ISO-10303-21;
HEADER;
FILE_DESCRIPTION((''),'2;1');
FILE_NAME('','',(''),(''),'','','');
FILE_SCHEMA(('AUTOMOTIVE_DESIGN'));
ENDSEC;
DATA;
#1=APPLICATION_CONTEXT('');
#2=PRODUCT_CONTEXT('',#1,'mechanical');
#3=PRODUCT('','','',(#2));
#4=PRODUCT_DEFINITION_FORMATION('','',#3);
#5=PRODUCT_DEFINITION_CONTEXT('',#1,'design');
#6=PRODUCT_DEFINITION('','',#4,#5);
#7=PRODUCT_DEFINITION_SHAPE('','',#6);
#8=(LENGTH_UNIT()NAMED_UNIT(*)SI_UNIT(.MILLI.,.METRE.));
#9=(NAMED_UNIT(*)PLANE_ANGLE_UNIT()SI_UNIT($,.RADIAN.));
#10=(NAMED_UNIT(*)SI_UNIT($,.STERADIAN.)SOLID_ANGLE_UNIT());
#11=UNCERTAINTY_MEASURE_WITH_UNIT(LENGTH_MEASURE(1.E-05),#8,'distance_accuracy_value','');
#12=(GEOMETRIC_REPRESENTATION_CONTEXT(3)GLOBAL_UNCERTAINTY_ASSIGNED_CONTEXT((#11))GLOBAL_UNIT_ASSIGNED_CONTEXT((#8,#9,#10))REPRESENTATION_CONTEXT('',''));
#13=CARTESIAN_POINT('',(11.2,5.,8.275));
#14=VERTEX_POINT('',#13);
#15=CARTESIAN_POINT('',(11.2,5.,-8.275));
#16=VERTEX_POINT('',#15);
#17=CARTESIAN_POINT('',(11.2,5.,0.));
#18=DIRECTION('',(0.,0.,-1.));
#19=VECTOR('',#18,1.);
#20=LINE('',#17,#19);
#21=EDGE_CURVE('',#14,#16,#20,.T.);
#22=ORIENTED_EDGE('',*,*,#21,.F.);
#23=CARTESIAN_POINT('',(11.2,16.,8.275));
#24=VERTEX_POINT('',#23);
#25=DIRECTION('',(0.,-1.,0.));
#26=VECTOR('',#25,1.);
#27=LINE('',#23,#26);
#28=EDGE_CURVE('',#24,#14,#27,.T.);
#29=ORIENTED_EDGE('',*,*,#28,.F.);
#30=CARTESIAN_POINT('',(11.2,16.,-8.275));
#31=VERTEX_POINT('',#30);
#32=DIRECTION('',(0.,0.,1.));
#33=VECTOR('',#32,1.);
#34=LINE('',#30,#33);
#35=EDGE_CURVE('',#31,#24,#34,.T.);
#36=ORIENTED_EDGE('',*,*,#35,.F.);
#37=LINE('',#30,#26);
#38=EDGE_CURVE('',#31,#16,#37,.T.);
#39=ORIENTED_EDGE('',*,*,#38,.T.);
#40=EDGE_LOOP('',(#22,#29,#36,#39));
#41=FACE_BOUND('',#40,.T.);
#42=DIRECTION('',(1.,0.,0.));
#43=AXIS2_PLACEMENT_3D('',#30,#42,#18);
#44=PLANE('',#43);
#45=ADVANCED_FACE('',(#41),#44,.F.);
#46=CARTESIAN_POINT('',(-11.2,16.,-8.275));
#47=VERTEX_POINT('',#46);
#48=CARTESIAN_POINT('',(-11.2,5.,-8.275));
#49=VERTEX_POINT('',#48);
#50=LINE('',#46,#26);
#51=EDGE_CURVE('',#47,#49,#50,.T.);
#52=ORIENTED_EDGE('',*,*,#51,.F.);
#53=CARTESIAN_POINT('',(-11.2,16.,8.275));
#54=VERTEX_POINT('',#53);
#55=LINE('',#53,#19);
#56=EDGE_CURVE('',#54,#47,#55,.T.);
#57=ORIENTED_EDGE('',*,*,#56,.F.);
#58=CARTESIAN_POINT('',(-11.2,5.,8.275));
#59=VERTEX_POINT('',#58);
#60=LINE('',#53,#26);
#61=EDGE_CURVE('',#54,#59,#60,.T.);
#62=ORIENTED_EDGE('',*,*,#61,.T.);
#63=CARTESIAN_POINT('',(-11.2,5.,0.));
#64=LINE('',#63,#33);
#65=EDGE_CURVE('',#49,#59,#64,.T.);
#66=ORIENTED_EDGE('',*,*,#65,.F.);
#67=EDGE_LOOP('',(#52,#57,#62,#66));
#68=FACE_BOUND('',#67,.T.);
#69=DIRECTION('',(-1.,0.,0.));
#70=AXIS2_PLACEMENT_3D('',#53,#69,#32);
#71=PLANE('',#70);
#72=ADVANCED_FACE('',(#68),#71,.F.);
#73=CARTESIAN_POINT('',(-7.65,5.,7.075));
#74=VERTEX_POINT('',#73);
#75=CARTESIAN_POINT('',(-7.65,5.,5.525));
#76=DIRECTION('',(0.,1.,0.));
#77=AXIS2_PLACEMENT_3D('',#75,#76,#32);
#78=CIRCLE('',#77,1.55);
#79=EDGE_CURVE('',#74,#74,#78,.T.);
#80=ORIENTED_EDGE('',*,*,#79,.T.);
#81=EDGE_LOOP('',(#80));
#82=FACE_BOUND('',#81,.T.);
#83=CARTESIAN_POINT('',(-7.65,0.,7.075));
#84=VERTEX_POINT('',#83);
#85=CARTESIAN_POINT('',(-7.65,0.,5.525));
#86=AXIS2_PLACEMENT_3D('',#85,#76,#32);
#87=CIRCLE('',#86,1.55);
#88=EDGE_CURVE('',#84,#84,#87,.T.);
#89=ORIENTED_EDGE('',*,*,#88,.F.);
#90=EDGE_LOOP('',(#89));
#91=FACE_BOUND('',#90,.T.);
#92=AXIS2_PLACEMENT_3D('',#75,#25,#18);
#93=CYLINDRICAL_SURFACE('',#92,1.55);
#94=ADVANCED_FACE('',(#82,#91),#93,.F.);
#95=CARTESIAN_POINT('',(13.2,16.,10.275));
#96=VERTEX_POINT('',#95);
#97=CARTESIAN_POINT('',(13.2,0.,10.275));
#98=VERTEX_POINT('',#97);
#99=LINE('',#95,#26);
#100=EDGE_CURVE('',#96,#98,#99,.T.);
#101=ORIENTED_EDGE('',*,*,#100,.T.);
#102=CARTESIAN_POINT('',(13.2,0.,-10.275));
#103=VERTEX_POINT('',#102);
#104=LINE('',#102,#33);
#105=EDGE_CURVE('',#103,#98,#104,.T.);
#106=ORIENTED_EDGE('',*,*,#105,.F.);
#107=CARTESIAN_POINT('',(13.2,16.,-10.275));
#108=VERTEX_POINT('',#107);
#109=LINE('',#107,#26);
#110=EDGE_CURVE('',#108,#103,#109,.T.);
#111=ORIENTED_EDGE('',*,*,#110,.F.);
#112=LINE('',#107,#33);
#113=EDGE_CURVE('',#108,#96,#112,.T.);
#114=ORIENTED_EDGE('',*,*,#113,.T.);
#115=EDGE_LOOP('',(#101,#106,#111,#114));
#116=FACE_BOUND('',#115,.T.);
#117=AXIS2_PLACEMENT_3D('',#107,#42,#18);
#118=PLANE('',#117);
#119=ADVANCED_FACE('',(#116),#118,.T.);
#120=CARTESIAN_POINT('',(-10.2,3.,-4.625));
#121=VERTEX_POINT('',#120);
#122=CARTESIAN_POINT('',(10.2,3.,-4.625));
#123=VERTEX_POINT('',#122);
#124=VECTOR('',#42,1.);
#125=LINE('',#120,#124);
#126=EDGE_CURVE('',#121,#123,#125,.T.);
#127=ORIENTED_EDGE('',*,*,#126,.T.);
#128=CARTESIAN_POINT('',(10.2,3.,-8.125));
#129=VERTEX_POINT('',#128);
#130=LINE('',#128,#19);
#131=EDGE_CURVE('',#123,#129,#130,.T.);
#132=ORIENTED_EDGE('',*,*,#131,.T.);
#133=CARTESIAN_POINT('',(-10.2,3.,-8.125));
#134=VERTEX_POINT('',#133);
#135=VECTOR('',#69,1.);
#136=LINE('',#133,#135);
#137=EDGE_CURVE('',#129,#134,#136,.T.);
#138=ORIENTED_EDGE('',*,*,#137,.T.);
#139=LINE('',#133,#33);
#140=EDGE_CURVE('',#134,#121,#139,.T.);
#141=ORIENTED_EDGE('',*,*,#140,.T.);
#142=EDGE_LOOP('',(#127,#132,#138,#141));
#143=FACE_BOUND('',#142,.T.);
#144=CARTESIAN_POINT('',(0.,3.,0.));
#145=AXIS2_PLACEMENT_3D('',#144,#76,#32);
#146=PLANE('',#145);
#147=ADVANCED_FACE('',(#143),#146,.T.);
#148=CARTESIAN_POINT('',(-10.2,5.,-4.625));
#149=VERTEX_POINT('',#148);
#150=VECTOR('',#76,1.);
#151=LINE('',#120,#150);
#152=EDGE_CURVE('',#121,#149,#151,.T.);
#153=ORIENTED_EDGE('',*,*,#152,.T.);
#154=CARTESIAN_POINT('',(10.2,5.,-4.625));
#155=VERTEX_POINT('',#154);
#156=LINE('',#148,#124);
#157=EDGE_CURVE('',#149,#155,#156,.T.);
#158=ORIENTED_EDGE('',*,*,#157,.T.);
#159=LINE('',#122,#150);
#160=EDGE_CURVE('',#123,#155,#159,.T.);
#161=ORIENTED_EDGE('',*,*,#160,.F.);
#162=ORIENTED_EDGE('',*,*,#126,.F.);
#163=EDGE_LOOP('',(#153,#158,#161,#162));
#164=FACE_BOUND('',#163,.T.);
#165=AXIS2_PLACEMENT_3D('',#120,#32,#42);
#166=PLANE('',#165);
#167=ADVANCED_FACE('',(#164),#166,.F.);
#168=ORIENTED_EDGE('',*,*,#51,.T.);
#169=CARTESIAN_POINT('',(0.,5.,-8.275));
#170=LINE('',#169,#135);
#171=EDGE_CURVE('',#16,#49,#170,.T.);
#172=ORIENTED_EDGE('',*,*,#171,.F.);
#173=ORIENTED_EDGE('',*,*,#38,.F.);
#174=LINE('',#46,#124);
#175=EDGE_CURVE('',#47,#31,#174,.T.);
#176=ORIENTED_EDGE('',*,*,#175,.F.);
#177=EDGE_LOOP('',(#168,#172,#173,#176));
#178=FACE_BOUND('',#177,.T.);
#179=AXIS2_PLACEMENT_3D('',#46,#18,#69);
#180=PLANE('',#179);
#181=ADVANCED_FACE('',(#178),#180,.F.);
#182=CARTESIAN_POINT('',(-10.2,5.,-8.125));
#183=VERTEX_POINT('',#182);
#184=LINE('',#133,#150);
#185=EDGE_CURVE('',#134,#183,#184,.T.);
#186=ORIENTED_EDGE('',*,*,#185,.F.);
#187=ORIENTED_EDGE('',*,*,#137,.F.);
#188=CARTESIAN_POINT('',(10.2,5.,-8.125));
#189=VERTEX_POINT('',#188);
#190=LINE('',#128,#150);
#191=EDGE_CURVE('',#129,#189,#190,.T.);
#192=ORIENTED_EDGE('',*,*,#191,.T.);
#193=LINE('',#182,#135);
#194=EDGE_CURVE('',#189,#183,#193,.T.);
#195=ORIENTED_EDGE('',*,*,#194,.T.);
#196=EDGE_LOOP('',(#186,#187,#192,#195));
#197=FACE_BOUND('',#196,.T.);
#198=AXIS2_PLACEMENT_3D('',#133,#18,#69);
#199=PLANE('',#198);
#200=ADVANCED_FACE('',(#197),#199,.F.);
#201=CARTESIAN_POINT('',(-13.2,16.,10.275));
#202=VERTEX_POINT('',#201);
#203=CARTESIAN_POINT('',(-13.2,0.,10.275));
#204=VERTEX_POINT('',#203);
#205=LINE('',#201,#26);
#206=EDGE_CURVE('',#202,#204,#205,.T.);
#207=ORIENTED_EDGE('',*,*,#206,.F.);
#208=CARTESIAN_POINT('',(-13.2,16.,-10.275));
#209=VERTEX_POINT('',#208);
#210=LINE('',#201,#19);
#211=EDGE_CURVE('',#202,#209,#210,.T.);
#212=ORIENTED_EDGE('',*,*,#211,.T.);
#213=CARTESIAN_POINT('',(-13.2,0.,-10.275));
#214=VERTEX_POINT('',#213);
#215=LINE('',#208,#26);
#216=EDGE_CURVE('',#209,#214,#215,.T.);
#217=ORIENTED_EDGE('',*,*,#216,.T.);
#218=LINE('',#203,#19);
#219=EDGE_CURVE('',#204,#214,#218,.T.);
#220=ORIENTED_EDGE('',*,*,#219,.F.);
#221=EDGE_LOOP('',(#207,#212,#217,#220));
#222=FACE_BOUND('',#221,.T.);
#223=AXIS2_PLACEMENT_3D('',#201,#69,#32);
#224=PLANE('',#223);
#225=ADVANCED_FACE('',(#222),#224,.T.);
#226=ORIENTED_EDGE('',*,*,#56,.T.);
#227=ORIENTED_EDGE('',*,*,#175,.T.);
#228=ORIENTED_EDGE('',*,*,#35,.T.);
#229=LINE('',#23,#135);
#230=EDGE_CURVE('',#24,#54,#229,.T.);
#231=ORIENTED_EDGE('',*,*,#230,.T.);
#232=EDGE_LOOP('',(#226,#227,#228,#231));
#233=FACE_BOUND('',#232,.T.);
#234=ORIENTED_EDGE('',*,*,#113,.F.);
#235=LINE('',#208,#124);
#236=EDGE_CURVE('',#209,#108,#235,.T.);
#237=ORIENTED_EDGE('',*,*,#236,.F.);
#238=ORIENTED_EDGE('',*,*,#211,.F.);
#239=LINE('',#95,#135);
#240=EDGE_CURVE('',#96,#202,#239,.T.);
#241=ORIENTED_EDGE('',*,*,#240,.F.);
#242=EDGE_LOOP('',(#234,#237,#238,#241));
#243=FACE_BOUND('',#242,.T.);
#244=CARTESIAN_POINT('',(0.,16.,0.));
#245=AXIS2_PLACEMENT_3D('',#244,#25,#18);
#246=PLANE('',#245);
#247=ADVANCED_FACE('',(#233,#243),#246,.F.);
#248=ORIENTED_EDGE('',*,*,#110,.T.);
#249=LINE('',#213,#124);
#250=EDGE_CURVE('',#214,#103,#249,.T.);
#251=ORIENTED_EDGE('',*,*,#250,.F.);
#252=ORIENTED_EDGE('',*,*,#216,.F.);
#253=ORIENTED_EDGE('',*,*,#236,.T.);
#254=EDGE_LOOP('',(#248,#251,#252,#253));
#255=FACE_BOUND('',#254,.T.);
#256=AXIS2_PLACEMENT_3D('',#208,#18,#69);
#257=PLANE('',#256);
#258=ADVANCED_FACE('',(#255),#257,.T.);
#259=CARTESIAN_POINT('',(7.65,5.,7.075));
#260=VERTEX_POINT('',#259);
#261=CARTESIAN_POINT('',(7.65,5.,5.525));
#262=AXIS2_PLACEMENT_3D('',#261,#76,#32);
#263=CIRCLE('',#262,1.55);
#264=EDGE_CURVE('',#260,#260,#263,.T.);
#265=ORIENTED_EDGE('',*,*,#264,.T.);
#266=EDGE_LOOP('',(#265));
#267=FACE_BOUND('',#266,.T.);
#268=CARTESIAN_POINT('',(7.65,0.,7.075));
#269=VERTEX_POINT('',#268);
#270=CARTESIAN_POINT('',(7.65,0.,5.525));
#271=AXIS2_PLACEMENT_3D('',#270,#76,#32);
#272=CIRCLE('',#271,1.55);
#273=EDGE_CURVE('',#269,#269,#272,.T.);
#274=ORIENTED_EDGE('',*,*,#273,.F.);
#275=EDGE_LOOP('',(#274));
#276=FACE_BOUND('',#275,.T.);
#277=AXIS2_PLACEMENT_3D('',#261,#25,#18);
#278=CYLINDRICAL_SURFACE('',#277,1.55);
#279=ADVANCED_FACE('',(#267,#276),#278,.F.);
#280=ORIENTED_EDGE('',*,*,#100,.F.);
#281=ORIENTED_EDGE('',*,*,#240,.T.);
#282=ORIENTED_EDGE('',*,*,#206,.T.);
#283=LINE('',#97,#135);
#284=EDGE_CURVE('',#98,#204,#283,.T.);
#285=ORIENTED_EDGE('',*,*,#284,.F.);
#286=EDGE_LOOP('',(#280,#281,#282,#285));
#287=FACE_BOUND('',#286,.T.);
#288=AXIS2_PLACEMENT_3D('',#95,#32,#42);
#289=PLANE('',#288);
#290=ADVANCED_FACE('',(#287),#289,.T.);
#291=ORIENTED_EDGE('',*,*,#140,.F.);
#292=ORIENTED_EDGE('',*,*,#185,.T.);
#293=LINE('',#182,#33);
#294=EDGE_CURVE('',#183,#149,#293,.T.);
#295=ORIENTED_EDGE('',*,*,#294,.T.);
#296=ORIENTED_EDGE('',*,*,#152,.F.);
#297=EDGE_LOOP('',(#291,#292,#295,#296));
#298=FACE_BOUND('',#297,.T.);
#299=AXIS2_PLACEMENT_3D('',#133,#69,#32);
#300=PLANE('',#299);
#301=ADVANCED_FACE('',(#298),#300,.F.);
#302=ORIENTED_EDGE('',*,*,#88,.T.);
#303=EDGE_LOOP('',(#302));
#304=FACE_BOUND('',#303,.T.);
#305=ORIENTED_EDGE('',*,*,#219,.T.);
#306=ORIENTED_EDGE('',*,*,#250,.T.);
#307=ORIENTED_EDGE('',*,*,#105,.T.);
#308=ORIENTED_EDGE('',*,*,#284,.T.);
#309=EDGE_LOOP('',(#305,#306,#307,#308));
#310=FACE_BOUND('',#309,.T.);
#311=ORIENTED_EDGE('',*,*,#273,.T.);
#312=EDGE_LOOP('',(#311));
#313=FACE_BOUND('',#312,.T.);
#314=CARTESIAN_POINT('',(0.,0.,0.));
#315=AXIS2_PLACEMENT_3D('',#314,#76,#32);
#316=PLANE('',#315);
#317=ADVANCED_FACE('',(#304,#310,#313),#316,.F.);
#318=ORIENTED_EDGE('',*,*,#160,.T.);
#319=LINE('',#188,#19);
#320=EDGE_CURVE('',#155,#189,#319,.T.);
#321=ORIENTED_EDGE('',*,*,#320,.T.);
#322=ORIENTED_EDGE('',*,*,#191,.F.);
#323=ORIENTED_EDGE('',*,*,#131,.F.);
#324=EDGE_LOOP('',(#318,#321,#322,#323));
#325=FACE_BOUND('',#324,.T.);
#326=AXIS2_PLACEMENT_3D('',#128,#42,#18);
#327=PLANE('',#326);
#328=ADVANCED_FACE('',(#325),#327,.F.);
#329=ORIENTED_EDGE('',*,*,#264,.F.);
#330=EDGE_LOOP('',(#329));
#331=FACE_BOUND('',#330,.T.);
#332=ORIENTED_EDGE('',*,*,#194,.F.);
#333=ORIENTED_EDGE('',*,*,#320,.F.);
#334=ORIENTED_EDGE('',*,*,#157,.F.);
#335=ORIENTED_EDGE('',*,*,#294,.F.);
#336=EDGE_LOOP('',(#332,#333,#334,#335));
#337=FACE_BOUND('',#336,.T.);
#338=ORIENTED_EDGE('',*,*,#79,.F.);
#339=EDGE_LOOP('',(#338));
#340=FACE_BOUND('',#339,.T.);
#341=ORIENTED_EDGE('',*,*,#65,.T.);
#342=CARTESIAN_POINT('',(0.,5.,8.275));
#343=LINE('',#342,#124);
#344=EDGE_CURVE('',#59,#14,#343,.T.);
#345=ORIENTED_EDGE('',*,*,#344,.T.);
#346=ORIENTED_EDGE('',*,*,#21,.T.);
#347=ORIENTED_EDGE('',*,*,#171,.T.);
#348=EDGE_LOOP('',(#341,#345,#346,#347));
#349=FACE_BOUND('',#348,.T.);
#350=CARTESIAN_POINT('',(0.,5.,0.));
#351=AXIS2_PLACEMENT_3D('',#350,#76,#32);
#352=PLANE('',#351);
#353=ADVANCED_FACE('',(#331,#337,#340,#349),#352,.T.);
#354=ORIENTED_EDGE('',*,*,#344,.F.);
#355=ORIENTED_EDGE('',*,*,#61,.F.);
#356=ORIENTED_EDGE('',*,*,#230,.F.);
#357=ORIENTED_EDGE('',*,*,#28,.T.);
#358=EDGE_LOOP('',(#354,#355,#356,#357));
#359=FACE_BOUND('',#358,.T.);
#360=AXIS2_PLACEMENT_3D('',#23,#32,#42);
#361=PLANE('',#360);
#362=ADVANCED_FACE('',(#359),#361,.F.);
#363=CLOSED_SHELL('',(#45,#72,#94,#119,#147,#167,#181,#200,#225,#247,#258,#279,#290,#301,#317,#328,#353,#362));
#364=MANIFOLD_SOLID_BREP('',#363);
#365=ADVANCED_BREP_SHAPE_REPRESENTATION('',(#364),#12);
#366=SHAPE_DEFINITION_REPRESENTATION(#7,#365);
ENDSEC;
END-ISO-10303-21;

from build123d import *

# Parameters (mm, degrees)
SKETCH1_W           = 20.4
SKETCH1_H           = 16.55
SKETCH1_R           = 1.55
SKETCH1_W_2         = 1
BOSS_EXTRUDE1_DEPTH = 5
SKETCH2_W           = 20.4
SKETCH2_H           = 3.5
CUT_EXTRUDE1_DEPTH  = 2
SKETCH3_W           = 26.4
SKETCH3_H           = 20.55
SKETCH3_W_2         = 22.4
SKETCH3_H_2         = 16.55
BOSS_EXTRUDE2_DEPTH = 16


with BuildPart() as part:
    # Sketch1 → Boss-Extrude1 (new body)
    # profile 1 of 3: a face of its own
    with BuildSketch(Plane(origin=(0, 0, 0), x_dir=(1, 0, 0), z_dir=(0, 1, 0))):
        Rectangle(SKETCH1_W, SKETCH1_H)
        with Locations(Location((-7.65, -5.525, 0), (0, 0, 270))):
            Circle(SKETCH1_R, mode=Mode.SUBTRACT)
        with Locations(Location((7.65, -5.525, 0), (0, 0, 270))):
            Circle(SKETCH1_R, mode=Mode.SUBTRACT)
    # profile 2 of 3: a face of its own
    with BuildSketch(Plane(origin=(0, 0, 0), x_dir=(1, 0, 0), z_dir=(0, 1, 0))):
        with Locations((-10.7, 0)):
            Rectangle(SKETCH1_W_2, SKETCH1_H)
    # profile 3 of 3: a face of its own
    with BuildSketch(Plane(origin=(0, 0, 0), x_dir=(1, 0, 0), z_dir=(0, 1, 0))):
        with Locations((10.7, 0)):
            Rectangle(SKETCH1_W_2, SKETCH1_H)
    extrude(amount=BOSS_EXTRUDE1_DEPTH)

    # Sketch2 → Cut-Extrude1 (cut)
    with BuildSketch(Plane(origin=(0, 5, 0), x_dir=(1, 0, 0), z_dir=(0, 1, 0))):
        with Locations((0, 6.375)):
            Rectangle(SKETCH2_W, SKETCH2_H)
    extrude(amount=-CUT_EXTRUDE1_DEPTH, mode=Mode.SUBTRACT)

    # Sketch3 → Boss-Extrude2 (add)
    with BuildSketch(Plane.XZ):
        Rectangle(SKETCH3_W, SKETCH3_H)
        Rectangle(SKETCH3_W_2, SKETCH3_H_2, mode=Mode.SUBTRACT)
    extrude(amount=-BOSS_EXTRUDE2_DEPTH)


solid = part.part
